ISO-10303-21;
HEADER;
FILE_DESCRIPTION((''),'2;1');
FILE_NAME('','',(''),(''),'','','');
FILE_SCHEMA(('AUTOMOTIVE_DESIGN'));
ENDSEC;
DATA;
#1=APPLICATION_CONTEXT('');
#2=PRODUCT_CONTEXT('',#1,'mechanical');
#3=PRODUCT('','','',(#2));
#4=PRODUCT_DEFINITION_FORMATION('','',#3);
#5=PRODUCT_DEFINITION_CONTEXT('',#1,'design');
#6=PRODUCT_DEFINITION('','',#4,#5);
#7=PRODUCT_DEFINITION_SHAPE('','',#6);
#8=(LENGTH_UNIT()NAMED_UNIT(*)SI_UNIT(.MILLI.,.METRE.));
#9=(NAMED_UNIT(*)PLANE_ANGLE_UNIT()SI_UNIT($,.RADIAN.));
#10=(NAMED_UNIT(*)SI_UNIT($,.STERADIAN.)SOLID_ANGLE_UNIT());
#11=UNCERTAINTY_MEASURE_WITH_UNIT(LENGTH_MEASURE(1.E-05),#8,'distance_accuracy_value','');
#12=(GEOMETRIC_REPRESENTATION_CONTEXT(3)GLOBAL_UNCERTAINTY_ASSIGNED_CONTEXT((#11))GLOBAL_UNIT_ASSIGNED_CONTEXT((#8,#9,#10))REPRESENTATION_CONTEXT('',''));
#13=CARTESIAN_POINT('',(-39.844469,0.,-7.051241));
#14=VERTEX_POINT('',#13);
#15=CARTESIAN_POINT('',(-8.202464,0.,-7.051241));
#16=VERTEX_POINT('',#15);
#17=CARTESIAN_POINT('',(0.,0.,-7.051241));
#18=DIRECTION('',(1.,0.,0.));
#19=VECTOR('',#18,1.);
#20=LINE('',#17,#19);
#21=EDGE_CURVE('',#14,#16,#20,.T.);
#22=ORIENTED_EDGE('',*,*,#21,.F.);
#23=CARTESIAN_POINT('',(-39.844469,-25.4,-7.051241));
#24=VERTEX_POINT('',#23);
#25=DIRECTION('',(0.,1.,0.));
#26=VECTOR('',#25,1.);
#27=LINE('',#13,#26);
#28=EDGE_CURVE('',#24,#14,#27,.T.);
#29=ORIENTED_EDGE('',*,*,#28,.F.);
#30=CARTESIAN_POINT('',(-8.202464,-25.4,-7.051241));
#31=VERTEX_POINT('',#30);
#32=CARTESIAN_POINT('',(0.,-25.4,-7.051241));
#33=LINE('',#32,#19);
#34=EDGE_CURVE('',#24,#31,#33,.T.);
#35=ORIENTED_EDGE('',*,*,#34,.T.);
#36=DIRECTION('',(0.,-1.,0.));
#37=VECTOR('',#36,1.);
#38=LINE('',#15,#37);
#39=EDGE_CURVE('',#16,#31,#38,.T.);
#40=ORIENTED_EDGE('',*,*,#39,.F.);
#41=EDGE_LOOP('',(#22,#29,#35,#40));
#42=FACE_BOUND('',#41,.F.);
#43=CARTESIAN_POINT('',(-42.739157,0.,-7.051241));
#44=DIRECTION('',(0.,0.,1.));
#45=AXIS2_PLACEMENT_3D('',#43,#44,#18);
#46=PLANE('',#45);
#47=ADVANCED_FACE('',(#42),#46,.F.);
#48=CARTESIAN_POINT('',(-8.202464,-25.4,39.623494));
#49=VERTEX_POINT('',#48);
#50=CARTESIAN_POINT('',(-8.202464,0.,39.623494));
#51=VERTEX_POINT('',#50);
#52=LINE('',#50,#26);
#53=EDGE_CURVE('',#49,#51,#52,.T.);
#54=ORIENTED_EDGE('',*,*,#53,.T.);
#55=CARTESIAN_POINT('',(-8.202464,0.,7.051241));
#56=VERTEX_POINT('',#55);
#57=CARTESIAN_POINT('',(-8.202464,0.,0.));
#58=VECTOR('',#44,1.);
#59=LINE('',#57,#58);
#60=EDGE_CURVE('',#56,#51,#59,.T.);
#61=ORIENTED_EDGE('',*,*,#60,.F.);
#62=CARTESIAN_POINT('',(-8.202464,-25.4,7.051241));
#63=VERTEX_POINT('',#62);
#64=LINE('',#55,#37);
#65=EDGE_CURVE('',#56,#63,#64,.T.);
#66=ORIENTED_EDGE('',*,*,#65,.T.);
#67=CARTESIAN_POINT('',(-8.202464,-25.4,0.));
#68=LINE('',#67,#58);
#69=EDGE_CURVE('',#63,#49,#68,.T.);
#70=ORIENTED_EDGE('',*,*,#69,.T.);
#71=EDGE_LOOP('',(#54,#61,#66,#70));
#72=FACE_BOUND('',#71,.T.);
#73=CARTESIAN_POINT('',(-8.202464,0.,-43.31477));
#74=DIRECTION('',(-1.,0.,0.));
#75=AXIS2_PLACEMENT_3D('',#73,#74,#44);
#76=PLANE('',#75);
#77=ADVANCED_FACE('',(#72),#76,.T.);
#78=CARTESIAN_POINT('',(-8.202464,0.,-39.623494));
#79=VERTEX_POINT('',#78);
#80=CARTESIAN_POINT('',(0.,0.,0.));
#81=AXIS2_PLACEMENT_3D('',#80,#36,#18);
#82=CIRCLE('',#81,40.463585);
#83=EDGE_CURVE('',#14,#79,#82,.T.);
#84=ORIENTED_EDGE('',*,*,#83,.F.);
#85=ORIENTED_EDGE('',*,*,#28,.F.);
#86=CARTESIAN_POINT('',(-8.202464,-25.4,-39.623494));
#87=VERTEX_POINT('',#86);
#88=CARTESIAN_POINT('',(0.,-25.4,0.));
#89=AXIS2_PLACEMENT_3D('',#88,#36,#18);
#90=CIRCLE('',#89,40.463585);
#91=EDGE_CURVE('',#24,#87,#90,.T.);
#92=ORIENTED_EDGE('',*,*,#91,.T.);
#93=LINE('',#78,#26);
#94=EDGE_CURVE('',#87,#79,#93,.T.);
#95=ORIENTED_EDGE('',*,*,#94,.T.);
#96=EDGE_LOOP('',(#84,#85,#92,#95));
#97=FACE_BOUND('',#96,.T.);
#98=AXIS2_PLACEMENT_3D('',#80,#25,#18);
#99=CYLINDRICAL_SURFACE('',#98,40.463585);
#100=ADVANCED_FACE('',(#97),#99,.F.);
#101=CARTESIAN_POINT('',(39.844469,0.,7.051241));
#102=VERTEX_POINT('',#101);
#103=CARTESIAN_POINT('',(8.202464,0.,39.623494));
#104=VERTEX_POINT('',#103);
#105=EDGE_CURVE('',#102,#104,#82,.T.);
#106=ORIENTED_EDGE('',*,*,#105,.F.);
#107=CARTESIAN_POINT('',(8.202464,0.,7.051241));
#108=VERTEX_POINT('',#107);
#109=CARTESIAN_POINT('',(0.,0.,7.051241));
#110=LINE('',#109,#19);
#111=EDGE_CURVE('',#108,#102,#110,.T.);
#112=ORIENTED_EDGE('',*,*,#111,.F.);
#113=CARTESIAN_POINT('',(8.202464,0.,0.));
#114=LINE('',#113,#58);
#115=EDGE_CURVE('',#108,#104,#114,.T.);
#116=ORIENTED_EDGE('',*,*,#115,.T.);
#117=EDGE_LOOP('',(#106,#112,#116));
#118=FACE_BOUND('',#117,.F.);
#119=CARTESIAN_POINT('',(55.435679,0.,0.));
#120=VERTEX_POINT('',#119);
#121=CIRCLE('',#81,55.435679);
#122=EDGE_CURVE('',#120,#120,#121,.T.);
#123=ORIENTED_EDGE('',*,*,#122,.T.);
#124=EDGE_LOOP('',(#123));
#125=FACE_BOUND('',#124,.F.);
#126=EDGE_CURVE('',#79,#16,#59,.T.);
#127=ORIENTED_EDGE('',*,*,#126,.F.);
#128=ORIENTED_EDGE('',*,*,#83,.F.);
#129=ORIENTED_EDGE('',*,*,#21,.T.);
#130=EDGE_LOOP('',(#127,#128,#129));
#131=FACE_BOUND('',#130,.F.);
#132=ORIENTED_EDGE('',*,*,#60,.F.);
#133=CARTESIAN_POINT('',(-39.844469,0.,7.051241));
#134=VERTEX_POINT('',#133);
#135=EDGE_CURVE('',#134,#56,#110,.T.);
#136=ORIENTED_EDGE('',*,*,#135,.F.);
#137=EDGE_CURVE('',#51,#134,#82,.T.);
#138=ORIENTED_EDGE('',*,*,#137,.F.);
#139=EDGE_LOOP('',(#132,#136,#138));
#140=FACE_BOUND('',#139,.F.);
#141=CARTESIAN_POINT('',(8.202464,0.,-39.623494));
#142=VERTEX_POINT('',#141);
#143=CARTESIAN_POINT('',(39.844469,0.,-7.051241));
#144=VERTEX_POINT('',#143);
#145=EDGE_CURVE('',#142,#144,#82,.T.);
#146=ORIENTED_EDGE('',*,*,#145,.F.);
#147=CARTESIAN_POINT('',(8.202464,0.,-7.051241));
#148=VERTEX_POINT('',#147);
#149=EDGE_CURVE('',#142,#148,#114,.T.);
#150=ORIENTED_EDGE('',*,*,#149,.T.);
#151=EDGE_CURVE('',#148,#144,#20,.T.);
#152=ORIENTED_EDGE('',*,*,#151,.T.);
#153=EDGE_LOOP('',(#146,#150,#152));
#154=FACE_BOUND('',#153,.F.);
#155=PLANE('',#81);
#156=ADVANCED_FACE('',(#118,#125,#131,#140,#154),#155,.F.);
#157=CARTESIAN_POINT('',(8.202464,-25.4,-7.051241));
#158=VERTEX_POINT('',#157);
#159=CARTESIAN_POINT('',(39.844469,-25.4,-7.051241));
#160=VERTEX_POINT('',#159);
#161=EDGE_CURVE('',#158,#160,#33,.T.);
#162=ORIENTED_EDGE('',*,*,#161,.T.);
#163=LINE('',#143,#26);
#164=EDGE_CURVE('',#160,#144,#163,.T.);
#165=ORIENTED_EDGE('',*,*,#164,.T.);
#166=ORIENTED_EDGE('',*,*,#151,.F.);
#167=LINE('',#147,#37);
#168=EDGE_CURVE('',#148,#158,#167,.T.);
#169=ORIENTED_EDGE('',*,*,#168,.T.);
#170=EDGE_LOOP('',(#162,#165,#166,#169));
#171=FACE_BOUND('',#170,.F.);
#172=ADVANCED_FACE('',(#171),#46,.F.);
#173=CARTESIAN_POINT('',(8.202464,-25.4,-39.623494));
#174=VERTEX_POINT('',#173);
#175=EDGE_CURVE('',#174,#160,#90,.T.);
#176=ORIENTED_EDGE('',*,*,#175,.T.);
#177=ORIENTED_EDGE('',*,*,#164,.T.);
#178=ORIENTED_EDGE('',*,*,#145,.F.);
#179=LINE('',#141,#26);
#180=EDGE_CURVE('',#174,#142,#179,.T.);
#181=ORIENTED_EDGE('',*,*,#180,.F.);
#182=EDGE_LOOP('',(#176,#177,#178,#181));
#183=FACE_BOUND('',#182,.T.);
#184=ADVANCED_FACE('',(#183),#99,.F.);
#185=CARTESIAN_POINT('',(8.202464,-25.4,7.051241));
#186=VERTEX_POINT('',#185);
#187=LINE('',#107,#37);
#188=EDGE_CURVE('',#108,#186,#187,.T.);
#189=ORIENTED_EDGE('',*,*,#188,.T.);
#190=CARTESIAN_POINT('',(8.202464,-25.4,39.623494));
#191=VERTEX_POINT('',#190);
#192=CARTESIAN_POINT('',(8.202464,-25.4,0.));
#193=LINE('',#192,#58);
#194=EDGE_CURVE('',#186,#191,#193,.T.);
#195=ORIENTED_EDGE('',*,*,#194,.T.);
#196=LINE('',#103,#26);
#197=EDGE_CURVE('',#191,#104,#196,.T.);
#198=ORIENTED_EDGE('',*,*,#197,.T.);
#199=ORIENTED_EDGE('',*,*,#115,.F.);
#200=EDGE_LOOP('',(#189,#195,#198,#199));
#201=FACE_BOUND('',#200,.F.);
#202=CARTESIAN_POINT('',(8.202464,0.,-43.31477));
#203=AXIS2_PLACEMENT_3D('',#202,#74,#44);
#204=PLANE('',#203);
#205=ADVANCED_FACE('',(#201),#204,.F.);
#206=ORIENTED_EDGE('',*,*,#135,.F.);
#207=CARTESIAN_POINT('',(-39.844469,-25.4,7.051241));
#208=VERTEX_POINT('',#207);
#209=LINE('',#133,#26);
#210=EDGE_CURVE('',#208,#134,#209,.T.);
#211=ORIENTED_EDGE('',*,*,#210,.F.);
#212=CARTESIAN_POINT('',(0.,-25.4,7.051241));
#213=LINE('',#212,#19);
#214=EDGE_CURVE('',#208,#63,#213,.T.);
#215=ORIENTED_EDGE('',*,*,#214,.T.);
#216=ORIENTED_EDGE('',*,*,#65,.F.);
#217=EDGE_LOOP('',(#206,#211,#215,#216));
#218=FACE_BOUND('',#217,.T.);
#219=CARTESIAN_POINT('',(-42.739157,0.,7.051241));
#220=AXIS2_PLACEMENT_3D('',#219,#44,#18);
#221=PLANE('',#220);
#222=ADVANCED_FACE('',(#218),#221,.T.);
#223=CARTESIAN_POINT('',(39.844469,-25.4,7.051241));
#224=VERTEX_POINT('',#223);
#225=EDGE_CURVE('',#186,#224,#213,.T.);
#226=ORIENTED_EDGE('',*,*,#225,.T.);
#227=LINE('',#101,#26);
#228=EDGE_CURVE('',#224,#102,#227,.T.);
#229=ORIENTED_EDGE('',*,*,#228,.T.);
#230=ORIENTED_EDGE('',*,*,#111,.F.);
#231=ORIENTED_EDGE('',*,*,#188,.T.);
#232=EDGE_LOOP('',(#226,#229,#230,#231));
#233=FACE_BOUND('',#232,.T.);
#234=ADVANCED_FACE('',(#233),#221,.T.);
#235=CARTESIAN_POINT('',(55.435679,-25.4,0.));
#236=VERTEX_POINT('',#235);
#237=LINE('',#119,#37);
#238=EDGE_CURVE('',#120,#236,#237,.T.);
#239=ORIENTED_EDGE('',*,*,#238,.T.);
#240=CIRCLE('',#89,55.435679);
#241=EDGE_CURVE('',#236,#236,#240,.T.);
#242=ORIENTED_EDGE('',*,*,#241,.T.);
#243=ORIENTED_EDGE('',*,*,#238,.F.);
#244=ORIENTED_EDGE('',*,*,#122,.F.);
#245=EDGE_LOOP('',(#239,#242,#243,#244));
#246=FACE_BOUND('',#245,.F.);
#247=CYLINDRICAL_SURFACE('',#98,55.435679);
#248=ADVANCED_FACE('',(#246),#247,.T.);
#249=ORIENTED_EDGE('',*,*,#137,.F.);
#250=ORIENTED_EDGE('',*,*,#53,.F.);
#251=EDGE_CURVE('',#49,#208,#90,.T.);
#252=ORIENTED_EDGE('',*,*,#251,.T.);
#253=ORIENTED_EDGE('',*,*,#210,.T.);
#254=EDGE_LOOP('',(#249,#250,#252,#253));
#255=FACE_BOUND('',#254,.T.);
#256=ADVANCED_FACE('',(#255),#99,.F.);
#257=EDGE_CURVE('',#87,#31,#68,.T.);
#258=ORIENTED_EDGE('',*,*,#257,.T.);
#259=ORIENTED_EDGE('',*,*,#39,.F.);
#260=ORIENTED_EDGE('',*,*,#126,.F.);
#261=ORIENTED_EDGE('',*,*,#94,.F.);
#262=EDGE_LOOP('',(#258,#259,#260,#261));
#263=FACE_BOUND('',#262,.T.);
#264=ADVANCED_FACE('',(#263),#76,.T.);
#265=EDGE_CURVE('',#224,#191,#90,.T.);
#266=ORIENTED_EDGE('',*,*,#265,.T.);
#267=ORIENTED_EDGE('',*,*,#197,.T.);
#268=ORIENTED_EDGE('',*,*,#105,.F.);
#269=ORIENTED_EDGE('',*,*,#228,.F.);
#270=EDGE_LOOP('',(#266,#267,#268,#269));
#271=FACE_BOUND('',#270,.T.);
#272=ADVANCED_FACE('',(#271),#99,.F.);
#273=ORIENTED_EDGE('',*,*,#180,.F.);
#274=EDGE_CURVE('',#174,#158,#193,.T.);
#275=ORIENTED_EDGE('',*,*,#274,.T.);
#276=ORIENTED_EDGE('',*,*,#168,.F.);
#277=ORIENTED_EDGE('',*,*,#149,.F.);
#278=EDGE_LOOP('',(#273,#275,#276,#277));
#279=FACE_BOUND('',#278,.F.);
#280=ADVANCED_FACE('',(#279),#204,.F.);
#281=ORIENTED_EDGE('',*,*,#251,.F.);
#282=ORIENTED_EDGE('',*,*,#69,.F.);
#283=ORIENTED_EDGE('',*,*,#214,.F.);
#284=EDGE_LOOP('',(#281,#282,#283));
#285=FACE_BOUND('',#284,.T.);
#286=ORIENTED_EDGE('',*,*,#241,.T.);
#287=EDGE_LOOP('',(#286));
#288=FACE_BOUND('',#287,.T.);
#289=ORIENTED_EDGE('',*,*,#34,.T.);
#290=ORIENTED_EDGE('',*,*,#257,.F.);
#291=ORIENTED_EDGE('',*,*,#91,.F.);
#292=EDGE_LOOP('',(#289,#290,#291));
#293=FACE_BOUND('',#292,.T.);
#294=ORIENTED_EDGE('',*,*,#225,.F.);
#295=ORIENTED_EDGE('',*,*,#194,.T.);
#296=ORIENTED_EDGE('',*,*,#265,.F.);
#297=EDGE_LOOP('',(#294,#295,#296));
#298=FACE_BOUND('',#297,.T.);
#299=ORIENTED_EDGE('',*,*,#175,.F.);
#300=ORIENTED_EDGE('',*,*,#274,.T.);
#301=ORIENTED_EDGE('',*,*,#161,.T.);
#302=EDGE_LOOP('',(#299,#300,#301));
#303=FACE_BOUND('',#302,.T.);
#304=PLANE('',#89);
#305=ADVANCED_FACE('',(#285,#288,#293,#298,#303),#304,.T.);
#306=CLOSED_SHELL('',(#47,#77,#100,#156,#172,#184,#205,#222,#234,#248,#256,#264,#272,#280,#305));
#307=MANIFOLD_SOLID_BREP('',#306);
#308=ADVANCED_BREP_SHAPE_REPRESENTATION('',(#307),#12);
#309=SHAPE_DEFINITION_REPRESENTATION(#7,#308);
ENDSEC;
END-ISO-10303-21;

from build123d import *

# Parameters (mm, degrees)
F0_R     = 55.435679
F0_R_2   = 40.463585
F1_DEPTH = 25.4
F2_W     = 85.478314
F2_H     = 14.102482
F3_DEPTH = 25.4
F4_W     = 16.404928
F4_H     = 86.62954
F5_DEPTH = 25.4


with BuildPart() as f1:
    # F0 (on Front) → F1 (new body)
    with BuildSketch(Plane.XZ):
        Circle(F0_R)
        Circle(F0_R_2, mode=Mode.SUBTRACT)
    extrude(amount=F1_DEPTH)

    # F2 (on Front) → F3 (join)
    with BuildSketch(Plane.XZ):
        Rectangle(F2_W, F2_H)
    extrude(amount=F3_DEPTH)

    # F4 (on Front) → F5 (join)
    with BuildSketch(Plane.XZ):
        Rectangle(F4_W, F4_H)
    extrude(amount=F5_DEPTH)


solid = f1.part
